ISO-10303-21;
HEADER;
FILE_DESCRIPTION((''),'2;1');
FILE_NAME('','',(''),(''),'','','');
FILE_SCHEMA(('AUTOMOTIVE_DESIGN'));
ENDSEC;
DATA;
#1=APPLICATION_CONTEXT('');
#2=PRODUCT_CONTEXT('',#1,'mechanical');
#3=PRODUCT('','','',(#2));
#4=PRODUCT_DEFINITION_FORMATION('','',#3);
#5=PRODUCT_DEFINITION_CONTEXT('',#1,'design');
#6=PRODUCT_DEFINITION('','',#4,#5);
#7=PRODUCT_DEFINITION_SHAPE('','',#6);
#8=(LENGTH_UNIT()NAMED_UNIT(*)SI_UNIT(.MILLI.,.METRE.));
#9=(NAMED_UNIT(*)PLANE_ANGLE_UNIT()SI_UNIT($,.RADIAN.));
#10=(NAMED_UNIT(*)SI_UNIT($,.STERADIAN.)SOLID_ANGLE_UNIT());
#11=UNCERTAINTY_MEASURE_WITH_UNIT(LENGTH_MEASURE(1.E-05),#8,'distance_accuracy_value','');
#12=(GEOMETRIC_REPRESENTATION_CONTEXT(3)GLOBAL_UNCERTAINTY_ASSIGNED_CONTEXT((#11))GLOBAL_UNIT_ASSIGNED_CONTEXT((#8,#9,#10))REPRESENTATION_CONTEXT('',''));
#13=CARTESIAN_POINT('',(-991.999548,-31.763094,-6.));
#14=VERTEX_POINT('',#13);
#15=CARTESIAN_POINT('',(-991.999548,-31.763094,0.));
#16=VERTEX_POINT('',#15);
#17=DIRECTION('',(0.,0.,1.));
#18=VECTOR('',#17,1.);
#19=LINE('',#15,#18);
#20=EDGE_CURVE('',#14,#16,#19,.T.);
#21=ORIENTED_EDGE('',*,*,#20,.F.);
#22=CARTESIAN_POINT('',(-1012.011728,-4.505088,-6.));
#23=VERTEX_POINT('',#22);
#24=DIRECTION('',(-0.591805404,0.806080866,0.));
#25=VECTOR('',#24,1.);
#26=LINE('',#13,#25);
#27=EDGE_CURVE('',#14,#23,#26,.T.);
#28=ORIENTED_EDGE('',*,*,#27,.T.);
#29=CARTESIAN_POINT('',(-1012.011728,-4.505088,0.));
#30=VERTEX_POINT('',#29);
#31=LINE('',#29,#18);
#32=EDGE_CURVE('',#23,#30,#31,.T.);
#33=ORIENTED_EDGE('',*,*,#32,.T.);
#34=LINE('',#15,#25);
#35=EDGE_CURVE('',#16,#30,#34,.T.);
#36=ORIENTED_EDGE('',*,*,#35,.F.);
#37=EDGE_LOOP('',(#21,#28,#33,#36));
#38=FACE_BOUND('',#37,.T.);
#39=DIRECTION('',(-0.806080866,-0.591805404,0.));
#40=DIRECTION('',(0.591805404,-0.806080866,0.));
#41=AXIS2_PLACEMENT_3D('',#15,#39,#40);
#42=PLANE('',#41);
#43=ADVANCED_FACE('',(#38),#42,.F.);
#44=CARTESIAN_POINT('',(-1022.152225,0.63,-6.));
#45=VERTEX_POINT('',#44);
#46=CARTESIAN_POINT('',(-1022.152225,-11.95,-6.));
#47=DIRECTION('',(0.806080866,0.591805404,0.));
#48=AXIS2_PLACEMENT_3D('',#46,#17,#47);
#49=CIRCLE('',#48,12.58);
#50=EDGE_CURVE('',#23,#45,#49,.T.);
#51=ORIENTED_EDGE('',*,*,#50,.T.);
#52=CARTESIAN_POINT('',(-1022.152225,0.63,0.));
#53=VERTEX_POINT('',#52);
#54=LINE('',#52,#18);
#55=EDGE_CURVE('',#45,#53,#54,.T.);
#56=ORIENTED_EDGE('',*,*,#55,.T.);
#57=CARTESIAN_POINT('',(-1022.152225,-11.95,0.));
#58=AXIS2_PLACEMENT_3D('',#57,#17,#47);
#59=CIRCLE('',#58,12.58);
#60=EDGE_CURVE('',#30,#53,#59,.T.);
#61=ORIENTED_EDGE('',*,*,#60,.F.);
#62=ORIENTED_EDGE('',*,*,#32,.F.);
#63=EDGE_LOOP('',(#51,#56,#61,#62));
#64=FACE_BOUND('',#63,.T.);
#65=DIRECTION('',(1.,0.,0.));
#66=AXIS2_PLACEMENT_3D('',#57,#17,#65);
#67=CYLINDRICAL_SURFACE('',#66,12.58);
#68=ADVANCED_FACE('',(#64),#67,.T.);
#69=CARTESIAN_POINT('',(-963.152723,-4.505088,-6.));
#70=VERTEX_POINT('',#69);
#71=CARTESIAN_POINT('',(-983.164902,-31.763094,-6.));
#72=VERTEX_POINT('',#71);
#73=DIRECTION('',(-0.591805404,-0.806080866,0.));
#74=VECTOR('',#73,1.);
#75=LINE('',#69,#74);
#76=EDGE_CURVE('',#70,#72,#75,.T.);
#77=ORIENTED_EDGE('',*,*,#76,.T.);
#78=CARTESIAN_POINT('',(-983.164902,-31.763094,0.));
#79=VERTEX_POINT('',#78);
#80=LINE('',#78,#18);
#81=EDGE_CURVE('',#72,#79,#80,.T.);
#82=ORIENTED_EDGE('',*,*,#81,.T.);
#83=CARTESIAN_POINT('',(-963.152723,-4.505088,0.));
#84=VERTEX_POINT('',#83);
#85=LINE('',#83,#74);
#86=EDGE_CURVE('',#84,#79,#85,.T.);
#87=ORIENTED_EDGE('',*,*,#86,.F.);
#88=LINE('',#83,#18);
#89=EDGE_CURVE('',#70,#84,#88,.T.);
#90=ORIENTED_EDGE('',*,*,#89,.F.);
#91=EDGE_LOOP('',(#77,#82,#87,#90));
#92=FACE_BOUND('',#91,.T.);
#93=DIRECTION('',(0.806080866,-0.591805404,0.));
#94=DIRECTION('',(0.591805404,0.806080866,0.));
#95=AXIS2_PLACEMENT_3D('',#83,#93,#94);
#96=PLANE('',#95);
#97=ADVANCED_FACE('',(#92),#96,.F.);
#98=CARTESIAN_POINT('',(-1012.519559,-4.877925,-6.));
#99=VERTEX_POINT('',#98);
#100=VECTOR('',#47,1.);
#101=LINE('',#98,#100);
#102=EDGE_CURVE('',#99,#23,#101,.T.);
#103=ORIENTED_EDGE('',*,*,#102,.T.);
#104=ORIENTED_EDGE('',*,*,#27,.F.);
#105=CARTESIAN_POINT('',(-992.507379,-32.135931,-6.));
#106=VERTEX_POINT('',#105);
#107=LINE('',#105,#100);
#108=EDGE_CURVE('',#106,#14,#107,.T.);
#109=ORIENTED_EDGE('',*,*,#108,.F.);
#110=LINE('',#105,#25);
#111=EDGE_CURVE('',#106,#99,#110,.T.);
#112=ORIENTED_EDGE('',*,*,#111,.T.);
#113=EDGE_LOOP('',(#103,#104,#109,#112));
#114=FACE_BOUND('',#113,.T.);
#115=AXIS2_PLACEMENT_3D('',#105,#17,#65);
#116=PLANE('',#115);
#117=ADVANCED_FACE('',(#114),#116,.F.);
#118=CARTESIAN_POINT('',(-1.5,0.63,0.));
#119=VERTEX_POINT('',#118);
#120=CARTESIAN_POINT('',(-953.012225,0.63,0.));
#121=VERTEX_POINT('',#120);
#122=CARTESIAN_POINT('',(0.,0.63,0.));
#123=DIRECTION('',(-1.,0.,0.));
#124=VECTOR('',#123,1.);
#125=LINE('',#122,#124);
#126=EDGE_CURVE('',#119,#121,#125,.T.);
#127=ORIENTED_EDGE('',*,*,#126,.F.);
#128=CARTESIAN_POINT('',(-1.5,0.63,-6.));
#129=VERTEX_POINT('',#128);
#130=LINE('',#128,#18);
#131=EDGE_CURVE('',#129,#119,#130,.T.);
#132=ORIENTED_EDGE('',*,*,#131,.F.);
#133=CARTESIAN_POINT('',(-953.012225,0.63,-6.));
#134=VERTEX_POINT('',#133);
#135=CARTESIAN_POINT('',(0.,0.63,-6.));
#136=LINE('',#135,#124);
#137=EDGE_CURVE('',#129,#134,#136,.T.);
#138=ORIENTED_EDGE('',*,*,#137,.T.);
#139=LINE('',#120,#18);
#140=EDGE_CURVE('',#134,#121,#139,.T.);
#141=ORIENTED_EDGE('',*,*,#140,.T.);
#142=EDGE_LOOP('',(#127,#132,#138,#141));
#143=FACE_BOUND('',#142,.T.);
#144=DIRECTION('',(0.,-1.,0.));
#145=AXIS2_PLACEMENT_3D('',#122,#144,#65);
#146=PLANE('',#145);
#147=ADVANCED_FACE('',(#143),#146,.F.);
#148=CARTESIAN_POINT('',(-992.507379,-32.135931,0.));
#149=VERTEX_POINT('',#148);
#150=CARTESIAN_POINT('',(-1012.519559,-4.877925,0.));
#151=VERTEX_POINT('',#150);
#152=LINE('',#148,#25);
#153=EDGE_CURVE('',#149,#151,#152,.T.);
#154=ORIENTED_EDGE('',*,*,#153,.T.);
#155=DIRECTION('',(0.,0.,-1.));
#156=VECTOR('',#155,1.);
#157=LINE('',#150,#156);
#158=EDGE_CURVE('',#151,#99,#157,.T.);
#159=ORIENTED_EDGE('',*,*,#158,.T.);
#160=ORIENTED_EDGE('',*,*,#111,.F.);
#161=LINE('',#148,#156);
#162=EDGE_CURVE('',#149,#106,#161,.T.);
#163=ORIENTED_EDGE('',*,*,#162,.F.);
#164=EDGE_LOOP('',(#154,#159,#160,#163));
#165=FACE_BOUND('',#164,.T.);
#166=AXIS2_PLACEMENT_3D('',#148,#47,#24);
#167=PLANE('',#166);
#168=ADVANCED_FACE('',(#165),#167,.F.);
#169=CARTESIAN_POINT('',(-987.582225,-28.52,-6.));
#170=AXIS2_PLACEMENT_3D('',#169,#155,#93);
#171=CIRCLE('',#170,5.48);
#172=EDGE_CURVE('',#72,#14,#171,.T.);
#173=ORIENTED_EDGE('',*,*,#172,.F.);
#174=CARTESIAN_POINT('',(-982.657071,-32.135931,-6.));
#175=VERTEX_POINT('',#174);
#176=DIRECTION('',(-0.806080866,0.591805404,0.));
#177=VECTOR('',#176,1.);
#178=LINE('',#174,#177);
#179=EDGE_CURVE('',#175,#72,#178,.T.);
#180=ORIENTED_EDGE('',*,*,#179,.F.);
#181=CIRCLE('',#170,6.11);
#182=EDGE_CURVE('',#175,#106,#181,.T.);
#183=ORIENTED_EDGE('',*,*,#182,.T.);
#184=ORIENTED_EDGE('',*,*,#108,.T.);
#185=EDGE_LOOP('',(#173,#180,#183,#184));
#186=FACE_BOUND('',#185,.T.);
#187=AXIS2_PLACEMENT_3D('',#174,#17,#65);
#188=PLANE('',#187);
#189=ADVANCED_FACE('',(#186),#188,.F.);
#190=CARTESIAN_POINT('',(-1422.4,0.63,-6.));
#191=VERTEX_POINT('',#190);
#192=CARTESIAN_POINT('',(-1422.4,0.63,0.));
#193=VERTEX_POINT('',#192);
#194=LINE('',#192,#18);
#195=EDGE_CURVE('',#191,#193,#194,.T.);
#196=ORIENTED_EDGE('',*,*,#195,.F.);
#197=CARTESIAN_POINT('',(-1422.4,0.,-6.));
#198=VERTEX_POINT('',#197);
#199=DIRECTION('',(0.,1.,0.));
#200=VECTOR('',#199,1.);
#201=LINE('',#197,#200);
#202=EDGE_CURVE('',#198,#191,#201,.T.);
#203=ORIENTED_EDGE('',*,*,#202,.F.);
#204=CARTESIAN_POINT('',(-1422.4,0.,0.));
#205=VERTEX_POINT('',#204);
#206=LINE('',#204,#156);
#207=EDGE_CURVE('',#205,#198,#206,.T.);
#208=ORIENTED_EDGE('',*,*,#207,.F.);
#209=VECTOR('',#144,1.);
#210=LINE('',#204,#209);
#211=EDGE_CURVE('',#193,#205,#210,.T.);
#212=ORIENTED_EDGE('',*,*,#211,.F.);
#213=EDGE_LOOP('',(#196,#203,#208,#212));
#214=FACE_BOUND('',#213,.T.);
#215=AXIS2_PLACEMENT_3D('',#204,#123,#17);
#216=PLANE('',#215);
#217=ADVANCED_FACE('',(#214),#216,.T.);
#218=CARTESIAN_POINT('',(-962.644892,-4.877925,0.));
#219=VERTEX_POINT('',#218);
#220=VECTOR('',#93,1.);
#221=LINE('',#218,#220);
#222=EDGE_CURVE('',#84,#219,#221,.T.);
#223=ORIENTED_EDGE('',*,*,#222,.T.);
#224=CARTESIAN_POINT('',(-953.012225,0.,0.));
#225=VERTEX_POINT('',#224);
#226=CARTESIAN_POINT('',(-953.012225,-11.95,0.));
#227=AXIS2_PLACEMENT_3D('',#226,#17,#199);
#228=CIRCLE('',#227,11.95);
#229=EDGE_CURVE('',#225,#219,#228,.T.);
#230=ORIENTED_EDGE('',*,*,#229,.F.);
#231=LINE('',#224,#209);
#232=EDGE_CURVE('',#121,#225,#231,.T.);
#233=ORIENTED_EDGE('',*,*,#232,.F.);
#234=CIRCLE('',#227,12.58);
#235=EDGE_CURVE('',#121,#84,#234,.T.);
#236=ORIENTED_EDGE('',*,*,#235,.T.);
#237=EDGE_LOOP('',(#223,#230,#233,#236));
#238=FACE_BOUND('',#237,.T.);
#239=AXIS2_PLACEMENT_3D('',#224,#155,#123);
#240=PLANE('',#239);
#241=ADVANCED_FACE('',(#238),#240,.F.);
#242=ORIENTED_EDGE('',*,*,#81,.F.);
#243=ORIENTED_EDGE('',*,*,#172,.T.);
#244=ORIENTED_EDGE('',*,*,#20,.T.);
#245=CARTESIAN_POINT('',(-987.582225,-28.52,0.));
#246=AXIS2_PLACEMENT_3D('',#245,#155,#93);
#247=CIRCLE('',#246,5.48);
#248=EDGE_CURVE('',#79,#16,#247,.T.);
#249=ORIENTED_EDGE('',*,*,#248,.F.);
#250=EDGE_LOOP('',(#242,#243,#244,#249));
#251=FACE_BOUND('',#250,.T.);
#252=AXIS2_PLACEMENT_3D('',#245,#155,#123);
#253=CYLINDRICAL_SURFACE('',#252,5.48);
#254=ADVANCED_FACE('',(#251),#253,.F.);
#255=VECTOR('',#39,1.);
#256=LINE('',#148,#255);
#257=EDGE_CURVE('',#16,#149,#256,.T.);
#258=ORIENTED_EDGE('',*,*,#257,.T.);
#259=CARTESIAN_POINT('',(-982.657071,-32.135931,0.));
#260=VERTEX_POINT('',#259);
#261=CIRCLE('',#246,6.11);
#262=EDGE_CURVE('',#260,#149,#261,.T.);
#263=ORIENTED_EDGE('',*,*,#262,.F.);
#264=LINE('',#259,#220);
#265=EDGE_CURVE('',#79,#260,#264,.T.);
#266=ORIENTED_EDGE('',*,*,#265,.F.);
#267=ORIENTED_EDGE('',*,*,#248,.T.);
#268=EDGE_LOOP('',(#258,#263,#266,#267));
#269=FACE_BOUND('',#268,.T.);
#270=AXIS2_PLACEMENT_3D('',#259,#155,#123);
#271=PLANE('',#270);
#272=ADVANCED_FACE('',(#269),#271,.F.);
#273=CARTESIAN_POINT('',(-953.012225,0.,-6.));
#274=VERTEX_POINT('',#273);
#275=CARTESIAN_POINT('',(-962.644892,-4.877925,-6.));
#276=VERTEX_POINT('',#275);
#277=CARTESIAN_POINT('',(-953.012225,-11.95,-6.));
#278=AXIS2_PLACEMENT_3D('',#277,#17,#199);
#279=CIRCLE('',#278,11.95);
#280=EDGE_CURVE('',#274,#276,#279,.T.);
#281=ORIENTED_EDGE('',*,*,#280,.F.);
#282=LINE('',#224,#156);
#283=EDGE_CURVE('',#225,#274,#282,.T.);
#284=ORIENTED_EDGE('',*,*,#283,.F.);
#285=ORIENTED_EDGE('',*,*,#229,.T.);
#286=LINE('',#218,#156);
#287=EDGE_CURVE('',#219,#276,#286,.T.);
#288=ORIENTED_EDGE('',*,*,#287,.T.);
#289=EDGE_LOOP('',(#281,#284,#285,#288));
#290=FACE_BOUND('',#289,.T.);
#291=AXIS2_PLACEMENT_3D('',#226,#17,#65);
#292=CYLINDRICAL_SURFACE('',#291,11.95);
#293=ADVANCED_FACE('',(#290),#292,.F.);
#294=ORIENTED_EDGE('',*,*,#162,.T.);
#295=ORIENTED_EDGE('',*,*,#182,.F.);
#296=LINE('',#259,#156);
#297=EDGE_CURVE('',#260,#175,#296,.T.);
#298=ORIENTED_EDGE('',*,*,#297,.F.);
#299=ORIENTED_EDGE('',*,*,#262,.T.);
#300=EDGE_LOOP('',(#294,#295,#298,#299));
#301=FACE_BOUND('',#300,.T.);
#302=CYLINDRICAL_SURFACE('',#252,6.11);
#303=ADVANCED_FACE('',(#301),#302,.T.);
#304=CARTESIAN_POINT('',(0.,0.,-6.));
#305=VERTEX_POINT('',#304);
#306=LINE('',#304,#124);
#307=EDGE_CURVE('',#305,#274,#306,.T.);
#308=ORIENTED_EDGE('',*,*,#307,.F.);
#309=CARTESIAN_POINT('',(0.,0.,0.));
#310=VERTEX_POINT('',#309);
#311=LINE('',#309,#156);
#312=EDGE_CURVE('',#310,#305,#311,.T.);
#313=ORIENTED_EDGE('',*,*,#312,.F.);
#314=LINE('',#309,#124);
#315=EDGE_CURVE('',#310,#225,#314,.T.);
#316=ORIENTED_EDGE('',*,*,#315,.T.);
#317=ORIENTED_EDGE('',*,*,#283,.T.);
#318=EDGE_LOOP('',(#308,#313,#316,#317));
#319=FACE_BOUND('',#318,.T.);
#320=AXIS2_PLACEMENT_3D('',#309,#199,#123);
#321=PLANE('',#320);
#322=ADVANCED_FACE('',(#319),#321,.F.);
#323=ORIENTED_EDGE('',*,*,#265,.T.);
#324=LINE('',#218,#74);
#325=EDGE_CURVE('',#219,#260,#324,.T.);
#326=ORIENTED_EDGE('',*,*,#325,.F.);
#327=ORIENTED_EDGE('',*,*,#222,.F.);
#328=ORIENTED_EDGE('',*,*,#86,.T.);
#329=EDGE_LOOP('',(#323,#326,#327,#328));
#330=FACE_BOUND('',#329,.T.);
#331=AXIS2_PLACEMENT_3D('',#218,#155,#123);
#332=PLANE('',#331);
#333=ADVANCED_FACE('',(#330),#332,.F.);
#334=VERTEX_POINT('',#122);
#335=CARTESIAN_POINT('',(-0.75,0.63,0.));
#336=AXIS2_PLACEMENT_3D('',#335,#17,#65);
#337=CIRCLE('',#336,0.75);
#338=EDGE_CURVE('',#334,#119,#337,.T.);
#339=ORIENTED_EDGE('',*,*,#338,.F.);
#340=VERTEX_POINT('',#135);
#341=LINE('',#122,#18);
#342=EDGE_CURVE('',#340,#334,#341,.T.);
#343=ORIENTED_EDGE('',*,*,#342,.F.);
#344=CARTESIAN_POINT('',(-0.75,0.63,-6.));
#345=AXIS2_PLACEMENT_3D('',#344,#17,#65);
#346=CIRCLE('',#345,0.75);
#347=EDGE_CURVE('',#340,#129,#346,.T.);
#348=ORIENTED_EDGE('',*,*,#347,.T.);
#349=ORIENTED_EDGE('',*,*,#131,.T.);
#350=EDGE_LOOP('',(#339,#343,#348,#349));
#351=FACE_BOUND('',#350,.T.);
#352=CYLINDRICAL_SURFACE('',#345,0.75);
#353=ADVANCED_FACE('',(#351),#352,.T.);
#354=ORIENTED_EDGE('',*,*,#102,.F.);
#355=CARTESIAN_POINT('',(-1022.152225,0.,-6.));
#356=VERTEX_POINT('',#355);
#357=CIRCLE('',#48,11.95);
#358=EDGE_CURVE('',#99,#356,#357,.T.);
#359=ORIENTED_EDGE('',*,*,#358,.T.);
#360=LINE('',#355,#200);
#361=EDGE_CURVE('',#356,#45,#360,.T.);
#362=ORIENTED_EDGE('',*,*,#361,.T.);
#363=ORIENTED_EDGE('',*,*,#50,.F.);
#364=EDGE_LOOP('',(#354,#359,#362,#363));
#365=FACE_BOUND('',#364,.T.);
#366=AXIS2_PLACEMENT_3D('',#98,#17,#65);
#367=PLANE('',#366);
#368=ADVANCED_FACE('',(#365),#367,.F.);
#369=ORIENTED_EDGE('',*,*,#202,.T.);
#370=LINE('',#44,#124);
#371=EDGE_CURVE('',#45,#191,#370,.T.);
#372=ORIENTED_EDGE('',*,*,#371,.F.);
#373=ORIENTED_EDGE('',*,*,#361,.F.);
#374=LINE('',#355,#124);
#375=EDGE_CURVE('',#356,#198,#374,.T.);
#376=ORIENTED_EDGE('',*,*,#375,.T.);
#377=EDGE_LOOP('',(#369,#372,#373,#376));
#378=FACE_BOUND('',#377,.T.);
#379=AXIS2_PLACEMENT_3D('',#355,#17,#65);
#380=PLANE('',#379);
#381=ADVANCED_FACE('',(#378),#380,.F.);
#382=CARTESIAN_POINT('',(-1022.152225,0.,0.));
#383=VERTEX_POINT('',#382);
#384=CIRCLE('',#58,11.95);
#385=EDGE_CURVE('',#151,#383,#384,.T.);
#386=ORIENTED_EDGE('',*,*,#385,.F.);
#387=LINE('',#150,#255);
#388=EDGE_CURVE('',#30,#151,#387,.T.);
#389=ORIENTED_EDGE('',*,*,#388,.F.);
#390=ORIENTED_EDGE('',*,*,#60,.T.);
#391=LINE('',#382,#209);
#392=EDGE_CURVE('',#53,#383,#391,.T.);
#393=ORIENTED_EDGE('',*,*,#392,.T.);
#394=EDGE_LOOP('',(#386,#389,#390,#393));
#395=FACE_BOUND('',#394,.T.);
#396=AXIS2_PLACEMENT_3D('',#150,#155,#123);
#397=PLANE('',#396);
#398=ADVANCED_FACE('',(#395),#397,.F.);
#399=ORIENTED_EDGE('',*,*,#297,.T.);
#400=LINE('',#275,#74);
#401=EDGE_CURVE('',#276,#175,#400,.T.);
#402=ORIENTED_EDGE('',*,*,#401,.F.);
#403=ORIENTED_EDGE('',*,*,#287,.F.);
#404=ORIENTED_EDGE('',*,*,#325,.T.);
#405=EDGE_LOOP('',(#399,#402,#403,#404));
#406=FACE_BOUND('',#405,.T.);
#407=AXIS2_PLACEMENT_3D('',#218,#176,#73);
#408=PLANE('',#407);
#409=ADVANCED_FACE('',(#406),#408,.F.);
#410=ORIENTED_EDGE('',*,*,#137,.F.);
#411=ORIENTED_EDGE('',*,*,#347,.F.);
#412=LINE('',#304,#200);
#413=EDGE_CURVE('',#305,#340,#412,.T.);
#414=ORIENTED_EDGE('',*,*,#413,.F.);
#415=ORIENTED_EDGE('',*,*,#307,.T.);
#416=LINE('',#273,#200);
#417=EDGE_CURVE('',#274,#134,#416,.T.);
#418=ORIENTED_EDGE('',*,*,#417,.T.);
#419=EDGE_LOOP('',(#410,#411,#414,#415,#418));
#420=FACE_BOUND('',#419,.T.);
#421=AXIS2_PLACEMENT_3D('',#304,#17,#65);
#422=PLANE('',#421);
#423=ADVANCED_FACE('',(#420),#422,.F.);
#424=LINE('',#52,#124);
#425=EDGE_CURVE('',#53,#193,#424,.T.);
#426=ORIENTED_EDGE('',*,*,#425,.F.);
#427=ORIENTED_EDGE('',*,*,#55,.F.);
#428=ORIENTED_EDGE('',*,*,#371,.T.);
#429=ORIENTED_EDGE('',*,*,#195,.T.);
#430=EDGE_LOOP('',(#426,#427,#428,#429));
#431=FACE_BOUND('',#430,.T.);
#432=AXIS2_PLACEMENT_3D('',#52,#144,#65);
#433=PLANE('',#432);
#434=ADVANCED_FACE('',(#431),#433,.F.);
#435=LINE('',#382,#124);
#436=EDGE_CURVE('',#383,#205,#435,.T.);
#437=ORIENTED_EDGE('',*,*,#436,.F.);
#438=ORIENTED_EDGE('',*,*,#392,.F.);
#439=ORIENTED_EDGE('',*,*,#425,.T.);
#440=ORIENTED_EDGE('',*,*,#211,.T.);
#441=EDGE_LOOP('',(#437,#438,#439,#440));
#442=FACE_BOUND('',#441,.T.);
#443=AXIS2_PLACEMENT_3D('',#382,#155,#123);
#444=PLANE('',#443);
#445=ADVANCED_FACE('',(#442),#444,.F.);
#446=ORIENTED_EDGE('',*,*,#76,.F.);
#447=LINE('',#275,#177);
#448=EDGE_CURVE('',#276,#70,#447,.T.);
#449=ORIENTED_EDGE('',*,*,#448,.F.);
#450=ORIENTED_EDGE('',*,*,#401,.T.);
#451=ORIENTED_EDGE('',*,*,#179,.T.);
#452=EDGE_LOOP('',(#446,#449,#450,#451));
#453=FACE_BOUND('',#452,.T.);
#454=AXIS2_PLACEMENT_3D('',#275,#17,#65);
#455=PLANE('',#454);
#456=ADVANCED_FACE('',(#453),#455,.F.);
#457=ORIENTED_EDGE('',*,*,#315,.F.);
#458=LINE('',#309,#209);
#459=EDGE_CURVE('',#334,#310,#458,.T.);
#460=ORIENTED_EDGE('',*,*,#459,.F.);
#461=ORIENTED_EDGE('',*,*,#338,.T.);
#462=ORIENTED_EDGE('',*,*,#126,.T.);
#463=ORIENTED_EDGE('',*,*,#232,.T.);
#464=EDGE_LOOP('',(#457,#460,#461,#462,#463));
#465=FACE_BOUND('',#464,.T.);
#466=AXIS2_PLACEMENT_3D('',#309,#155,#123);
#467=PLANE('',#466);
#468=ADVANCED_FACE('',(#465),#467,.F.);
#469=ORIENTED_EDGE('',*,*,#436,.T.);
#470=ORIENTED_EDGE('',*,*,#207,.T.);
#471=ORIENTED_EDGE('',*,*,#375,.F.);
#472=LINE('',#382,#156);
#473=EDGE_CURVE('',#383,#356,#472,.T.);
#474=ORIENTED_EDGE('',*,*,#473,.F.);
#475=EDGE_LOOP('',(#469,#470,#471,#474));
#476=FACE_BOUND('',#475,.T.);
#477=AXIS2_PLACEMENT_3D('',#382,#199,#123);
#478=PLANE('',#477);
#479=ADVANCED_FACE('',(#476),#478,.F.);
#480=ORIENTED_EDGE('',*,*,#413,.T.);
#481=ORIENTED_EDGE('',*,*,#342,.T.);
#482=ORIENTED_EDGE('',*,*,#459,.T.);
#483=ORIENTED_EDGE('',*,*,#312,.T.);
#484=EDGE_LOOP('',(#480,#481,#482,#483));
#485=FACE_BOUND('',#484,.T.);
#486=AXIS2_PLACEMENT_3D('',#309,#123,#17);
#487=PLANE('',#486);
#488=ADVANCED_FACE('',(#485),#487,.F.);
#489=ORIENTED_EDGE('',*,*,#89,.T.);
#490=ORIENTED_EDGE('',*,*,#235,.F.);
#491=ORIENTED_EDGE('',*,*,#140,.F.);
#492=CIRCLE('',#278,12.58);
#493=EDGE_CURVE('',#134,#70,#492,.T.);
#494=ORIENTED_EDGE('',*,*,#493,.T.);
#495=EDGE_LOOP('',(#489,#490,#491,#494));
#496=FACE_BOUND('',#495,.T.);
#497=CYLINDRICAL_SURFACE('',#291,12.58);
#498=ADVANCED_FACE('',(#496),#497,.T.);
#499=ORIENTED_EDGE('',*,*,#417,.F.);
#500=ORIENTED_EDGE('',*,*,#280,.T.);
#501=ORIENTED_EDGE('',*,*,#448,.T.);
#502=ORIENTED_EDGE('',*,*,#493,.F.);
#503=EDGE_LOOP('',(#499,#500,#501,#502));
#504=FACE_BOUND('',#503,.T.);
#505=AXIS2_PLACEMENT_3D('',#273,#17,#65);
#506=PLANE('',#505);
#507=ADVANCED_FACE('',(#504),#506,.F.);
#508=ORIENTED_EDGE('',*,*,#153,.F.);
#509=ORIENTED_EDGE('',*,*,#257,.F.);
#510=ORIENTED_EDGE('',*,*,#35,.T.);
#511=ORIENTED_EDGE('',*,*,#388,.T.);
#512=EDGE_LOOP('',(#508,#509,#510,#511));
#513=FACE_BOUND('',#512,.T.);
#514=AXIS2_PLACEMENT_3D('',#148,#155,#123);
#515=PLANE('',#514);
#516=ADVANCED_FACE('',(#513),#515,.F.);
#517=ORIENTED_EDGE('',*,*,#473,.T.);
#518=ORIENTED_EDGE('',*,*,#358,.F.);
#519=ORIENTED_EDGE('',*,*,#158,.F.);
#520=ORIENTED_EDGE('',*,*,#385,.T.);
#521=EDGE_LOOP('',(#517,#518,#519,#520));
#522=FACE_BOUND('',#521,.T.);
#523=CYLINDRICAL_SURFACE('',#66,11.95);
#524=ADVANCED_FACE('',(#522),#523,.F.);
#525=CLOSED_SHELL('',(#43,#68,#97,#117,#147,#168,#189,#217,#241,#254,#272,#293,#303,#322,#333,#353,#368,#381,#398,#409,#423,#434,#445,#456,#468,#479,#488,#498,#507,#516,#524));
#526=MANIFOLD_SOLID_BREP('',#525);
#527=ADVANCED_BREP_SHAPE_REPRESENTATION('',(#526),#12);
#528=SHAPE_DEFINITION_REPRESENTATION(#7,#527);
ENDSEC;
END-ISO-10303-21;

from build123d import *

# Parameters (mm, degrees)
SKETCH1_W           = 6
SKETCH1_H           = 0.63
BOSS_EXTRUDE1_DEPTH = 6


with BuildPart() as part:
    # Sweep1: sweep along a path in Sketch2
    with BuildLine(Plane.XY) as sweep1_path:
        Line((0, 0), (-953.012225303, 0))
        ThreePointArc((-953.012225303, 0), (-958.410892209, -1.28900119), (-962.644891657, -4.877925416))
        Line((-962.644891657, -4.877925416), (-982.657071209, -32.135931021))
        ThreePointArc((-982.657071209, -32.135931021), (-987.582225303, -34.63), (-992.507379397, -32.135931021))
        Line((-992.507379397, -32.135931021), (-1012.519558949, -4.877925416))
        ThreePointArc((-1012.519558949, -4.877925416), (-1016.753558397, -1.28900119), (-1022.152225303, 0))
        Line((-1022.152225303, 0), (-1422.4, 0))
    # Sketch1 → Sweep1 (sweep)
    with BuildSketch(Plane(origin=(0, 0, 0), x_dir=(0, 0, -1), z_dir=(1, 0, 0))):
        with Locations((3, 0.315)):
            Rectangle(SKETCH1_W, SKETCH1_H)
    sweep(path=sweep1_path.line)

    # Sketch3 → Boss-Extrude1 (add, through all)
    with BuildSketch(Plane.XY):
        with BuildLine():
            Line((-1.5, 0.63), (-1.5, 0))
            Line((-1.5, 0), (0, 0))
            Line((0, 0), (0, 0.63))
            ThreePointArc((0, 0.63), (-0.75, 1.38), (-1.5, 0.63))
        make_face()
    extrude(amount=-BOSS_EXTRUDE1_DEPTH)


solid = part.part
